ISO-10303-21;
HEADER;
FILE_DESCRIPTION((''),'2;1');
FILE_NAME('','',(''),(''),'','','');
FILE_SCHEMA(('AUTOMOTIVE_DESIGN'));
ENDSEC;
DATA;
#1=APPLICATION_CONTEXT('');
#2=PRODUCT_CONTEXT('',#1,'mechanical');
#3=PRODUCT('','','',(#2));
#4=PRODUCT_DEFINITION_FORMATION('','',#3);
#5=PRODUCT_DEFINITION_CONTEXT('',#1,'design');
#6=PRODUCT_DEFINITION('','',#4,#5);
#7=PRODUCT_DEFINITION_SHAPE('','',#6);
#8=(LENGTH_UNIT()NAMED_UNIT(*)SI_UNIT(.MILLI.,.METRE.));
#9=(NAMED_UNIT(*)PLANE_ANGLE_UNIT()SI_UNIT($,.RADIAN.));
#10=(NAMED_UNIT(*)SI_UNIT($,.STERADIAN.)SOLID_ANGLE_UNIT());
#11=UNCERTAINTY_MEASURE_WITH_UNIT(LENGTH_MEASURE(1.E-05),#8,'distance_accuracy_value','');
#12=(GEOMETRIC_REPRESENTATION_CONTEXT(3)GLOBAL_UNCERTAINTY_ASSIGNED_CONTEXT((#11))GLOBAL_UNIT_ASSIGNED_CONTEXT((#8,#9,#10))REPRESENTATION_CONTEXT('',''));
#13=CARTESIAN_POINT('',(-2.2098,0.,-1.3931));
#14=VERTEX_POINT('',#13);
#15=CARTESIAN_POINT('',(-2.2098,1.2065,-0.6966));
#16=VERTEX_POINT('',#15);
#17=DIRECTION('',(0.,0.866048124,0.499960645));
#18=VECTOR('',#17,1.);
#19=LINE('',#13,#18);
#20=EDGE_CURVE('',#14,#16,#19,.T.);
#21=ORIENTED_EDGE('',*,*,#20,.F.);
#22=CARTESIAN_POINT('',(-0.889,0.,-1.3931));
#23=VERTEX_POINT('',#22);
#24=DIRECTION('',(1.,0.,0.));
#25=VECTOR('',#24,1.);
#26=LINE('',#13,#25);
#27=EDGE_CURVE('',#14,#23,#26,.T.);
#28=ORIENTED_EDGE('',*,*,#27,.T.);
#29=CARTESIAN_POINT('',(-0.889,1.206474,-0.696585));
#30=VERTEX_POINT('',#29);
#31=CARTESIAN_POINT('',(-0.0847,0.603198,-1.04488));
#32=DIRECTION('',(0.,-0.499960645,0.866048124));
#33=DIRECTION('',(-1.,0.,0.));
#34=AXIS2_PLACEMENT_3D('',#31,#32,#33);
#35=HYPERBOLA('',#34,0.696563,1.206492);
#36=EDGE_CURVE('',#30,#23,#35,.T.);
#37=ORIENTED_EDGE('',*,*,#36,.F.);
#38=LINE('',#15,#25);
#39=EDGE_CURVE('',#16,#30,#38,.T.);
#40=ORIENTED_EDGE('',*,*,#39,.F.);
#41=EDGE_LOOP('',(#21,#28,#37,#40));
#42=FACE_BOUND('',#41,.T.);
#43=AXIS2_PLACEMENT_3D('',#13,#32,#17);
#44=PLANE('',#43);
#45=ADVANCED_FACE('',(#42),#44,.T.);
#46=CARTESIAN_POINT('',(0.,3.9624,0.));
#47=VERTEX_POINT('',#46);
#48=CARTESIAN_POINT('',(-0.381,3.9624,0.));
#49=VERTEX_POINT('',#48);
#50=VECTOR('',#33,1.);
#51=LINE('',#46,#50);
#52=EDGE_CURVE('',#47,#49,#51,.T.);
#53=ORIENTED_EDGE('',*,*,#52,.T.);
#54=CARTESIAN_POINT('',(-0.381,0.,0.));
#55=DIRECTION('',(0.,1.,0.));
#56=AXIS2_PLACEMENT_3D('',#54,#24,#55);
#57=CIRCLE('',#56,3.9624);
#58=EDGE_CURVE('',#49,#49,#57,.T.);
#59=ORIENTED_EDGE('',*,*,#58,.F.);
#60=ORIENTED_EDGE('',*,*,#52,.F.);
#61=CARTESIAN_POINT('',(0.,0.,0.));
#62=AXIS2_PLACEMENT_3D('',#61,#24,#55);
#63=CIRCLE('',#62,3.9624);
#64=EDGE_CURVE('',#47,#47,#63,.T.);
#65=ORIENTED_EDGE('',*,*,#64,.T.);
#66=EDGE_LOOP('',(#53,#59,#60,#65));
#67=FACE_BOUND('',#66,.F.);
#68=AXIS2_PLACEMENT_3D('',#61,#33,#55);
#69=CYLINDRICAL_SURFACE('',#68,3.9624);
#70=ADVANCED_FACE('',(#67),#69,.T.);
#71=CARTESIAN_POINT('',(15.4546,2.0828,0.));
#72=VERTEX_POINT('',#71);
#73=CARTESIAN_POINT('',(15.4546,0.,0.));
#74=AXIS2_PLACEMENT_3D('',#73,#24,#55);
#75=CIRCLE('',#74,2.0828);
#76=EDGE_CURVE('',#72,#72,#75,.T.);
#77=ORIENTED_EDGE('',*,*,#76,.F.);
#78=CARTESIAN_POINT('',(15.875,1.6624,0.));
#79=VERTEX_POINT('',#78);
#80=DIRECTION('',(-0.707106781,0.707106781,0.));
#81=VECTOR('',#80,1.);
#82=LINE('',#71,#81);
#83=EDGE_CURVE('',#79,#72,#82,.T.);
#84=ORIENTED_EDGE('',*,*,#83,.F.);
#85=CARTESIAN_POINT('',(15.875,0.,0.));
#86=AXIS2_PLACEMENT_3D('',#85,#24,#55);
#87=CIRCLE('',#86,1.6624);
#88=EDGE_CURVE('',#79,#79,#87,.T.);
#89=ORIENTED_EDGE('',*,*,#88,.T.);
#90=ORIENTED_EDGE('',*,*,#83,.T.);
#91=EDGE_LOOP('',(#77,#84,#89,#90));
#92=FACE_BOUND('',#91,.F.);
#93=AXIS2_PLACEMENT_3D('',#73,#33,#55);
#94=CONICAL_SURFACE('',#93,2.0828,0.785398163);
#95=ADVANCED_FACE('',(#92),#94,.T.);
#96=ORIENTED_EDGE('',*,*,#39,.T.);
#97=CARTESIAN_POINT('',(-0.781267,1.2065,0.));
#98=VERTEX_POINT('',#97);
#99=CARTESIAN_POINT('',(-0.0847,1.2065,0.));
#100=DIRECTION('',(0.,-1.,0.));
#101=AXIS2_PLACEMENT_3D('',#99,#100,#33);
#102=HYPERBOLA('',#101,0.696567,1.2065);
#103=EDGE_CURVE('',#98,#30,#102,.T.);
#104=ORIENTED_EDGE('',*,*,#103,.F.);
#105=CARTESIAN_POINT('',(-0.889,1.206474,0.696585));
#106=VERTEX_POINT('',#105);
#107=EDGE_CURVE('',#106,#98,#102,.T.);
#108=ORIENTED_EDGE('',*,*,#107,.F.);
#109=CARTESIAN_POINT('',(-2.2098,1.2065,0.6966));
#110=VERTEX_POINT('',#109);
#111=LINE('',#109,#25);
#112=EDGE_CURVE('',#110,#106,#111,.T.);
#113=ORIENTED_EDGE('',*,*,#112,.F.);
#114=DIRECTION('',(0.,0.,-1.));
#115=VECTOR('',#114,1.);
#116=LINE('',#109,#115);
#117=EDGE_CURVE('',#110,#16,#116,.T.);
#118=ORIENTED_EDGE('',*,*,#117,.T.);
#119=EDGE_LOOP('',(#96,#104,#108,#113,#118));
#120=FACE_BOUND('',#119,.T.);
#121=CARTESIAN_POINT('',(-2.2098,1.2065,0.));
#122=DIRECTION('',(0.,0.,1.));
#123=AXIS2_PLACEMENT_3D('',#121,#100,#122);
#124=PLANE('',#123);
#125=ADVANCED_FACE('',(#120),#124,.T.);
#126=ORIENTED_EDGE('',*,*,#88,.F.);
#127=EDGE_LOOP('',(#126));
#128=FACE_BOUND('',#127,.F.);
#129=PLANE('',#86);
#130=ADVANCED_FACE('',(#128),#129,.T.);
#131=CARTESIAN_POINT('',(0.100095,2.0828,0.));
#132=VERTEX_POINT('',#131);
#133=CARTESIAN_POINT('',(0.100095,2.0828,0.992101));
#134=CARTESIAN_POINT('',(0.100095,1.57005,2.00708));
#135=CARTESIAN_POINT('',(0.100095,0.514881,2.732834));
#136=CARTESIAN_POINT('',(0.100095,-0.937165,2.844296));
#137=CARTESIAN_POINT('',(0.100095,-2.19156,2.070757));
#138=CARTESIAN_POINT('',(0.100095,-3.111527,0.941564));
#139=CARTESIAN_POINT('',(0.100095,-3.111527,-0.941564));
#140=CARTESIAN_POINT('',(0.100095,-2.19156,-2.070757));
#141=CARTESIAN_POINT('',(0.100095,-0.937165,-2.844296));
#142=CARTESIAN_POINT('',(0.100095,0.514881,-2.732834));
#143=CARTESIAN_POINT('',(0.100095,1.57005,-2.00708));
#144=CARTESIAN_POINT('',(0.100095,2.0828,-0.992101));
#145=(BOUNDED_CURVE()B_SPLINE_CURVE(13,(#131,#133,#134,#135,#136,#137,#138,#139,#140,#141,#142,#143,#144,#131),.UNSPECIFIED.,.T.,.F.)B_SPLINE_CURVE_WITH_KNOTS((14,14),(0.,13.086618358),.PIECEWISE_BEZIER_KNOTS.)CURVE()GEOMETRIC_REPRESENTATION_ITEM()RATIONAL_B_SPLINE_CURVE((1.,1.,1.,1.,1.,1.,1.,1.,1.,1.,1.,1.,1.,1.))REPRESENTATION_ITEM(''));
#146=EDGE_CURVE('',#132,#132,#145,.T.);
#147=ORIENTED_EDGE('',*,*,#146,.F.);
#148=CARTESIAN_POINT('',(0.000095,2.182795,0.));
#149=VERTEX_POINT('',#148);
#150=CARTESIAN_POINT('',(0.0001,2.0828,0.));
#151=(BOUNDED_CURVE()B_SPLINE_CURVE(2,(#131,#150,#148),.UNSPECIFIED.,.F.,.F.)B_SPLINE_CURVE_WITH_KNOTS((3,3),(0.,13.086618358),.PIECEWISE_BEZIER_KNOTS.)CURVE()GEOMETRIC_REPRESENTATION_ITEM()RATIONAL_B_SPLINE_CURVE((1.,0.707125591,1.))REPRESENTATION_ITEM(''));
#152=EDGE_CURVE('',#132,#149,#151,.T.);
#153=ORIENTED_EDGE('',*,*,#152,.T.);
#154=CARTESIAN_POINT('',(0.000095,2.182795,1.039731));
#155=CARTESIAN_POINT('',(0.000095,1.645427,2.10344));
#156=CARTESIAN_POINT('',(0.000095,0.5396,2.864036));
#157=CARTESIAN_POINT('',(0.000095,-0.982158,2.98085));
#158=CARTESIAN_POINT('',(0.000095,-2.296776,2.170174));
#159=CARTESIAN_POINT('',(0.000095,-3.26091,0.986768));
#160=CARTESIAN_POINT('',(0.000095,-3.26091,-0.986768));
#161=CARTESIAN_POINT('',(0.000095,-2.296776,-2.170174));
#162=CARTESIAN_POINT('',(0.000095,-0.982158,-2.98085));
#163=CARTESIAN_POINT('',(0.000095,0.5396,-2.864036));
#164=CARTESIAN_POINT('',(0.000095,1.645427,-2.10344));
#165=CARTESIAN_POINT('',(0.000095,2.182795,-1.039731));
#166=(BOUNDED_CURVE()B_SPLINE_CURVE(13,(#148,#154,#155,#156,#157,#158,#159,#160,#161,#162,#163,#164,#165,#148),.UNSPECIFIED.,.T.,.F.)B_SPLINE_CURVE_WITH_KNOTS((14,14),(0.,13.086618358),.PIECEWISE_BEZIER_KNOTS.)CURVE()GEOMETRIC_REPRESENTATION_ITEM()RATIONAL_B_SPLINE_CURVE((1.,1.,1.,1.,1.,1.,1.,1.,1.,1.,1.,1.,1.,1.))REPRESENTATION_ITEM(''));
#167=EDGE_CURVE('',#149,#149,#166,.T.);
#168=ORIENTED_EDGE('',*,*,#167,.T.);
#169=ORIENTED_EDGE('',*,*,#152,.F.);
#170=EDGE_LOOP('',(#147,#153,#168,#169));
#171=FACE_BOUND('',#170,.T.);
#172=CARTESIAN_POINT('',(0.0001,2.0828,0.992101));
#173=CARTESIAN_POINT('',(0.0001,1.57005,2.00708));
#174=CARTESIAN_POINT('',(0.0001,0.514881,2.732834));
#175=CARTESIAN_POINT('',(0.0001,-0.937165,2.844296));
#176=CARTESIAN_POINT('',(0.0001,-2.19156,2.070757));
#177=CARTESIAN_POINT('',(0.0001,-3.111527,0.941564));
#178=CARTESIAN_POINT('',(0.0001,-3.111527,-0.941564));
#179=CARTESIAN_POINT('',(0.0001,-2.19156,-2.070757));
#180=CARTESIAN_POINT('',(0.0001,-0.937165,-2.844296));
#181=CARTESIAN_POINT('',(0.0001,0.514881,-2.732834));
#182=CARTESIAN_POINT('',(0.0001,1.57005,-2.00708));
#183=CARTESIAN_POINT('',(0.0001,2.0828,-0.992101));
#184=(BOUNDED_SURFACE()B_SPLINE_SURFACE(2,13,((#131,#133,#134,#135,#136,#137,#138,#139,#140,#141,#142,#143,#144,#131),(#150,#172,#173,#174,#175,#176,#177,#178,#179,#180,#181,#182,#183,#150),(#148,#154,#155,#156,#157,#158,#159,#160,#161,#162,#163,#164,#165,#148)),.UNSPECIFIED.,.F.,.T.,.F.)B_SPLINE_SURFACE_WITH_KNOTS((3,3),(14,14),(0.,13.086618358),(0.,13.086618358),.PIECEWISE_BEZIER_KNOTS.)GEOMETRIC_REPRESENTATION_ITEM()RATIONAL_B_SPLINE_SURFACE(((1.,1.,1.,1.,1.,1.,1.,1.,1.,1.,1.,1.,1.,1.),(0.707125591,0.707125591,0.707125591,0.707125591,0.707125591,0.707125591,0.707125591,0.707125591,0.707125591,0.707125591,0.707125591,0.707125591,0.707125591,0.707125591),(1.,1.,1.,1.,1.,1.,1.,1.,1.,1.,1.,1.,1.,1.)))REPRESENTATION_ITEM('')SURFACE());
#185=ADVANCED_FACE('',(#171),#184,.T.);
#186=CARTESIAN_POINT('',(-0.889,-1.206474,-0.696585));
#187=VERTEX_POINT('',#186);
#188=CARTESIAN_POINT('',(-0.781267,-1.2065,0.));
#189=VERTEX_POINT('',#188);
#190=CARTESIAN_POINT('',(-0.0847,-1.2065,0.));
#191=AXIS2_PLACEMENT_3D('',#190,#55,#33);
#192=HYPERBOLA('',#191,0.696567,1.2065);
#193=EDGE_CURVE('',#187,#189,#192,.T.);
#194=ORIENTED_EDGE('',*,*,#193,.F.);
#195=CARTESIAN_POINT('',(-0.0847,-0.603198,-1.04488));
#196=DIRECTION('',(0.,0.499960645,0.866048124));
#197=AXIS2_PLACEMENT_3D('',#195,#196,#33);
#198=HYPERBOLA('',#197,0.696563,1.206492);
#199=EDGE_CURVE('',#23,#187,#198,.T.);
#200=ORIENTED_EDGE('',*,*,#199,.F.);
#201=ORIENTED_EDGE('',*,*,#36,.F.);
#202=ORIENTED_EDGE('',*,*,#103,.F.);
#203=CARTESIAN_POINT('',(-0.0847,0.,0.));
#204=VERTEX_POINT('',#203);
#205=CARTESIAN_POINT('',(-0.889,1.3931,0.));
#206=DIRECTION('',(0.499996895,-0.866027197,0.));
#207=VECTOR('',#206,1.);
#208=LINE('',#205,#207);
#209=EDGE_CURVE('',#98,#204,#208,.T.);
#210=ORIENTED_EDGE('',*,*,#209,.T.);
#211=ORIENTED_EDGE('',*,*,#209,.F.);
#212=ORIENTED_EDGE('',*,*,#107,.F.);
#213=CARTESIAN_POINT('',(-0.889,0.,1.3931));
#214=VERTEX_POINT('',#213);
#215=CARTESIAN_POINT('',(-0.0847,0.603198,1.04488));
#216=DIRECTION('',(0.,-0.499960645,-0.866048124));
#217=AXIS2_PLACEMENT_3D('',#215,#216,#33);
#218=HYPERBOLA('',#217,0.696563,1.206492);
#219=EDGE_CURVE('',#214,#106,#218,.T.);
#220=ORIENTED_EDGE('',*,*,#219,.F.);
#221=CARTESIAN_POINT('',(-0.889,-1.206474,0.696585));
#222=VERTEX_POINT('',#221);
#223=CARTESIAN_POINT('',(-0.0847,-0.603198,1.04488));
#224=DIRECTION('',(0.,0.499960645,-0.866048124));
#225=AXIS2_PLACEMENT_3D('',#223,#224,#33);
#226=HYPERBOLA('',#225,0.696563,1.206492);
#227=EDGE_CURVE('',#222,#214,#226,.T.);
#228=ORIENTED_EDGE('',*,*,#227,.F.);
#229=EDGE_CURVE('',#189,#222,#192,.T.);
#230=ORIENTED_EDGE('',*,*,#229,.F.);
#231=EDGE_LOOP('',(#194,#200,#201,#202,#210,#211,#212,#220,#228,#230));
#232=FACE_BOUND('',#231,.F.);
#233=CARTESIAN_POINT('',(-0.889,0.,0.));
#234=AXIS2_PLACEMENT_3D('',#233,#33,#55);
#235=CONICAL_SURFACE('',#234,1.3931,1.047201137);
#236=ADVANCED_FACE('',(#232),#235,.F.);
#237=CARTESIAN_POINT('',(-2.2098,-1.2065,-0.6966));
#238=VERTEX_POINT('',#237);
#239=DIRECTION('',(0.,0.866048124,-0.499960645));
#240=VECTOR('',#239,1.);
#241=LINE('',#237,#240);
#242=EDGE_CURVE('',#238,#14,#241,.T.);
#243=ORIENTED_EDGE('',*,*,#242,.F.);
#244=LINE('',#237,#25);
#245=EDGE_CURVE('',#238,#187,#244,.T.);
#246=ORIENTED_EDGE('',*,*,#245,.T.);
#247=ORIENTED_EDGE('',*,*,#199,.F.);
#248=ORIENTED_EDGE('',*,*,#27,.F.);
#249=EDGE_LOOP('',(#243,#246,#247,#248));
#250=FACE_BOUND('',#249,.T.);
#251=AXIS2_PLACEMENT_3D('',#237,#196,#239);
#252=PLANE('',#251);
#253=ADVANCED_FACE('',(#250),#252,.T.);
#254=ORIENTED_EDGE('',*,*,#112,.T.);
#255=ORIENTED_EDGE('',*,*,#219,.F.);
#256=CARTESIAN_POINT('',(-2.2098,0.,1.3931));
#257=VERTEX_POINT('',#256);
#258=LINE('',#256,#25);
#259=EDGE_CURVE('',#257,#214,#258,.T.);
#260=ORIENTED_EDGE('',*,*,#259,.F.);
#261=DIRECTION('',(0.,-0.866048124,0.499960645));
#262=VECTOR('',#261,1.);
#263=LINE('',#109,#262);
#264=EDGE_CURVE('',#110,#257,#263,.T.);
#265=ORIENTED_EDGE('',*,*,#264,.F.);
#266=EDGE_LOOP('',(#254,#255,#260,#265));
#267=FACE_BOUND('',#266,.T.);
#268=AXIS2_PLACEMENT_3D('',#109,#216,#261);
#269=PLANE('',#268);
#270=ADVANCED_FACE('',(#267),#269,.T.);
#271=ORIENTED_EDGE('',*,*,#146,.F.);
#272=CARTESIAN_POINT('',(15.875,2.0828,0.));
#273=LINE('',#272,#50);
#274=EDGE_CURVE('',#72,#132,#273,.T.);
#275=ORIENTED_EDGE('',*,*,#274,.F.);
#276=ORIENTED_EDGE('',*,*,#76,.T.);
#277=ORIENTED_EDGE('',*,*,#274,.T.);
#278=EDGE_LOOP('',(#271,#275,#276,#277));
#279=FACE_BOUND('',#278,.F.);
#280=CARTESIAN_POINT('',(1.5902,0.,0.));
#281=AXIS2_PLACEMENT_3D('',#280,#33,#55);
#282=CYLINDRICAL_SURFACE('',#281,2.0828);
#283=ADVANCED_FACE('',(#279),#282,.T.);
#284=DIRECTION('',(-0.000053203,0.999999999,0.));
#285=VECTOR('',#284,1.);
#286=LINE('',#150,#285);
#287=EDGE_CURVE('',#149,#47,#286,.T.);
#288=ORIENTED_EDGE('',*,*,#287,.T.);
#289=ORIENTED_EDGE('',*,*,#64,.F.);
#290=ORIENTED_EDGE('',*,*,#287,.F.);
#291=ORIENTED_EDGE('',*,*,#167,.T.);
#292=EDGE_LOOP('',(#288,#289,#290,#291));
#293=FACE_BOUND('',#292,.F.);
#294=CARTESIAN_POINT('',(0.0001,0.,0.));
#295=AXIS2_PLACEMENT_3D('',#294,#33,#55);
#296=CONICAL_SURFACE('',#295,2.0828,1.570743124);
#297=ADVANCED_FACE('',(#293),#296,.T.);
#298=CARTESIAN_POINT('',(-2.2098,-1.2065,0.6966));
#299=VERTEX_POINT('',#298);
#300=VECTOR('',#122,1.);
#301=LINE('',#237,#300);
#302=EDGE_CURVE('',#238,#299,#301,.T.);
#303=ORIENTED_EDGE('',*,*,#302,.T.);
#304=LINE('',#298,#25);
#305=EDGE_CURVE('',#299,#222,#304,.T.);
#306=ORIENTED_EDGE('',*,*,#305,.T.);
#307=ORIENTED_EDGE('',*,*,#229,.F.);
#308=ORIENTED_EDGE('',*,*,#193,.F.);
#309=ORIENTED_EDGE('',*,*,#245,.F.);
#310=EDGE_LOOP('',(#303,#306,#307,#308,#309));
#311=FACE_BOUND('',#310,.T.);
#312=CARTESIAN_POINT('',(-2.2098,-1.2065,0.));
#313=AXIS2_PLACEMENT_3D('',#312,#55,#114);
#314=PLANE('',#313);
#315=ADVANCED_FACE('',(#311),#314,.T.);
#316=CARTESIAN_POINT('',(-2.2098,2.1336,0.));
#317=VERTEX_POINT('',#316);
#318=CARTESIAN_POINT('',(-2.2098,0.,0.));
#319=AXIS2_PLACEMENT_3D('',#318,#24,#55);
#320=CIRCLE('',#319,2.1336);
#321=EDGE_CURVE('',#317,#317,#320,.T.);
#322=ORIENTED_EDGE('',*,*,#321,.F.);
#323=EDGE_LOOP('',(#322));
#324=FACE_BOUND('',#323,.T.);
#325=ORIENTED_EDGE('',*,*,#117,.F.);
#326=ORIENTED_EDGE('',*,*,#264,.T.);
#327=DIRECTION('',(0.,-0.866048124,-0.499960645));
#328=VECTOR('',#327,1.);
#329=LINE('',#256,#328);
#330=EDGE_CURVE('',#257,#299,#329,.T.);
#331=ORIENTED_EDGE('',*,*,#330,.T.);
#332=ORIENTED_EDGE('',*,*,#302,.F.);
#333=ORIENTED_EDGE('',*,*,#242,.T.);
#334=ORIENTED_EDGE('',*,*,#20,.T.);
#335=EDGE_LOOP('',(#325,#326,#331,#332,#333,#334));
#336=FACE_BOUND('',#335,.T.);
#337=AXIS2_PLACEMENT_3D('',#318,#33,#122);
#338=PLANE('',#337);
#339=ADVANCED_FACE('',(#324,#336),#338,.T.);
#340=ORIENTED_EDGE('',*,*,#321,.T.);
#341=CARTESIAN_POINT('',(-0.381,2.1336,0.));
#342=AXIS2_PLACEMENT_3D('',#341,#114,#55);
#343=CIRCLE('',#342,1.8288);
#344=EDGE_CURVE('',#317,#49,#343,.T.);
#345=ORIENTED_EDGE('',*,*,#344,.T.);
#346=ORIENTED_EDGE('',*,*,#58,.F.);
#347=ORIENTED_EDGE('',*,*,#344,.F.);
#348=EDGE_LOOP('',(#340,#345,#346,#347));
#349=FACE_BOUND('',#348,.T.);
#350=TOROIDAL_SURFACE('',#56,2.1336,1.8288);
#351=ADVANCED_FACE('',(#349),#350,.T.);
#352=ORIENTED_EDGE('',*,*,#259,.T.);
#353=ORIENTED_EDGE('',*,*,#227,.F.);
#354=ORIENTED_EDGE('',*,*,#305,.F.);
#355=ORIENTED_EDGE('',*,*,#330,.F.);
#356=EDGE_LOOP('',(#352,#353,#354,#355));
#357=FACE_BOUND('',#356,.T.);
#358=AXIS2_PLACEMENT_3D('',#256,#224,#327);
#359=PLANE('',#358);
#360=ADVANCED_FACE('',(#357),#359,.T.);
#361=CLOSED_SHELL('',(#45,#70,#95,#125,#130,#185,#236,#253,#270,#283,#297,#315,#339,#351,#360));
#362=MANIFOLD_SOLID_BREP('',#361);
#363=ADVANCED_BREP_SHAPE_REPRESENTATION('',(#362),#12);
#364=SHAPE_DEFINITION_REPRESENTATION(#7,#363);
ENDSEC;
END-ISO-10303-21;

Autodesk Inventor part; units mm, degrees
ref_plane "YZ Plane" through (0, 0, 0) normal (1, 0, 0) x (0, 1, 0)
ref_plane "XZ Plane" through (0, 0, 0) normal (0, 1, 0) x (-1, 0, 0)
sketch "Sketch1" plane through (0, 0, 0) normal (0, 0, 1) x (1, 0, 0)
  line L0 (-0.0847, 0) -> (15.875, 0)
  line L1 (15.875, 0) -> (15.875, 2.0828)
  line L2 (15.875, 2.0828) -> (1.5902, 2.0828)
  line L3 (1.5902, 2.0828) -> (0.0001, 2.0828)
  line L4 (0.0001, 2.0828) -> (0, 2.0828)
  line L5 (0, 2.0828) -> (0, 3.9624)
  line L6 (0, 3.9624) -> (-2.2098, 3.9624)
  line L7 (-2.2098, 3.9624) -> (-2.2098, 1.3931)
  line L8 (-2.2098, 1.3931) -> (-0.889, 1.3931)
  line L9 (-0.889, 1.3931) -> (-0.0847, 0)
  line L10 (-21, 0) -> (56, 0) projected
  line L11 (0, -1.6) -> (0, 9.6) projected
  line L12 (1.5902, 2.0828) -> (0, 2.0828) construction
  dimension "d1" = 14.2848
  dimension "d2" = 1.5901
  dimension "d3" = 2.2098
  dimension "d4" = 1.3208
  dimension "d5" = 60
  dimension "d6" = 4.1656
  dimension "d7" = 4.1656
  dimension "d8" = 2.7863
  dimension "d9" = 7.9248
  dimension "d26" = 15.875
revolve "Body" add sketch "Sketch1" angle 360 about axis through (-0.0847, 0, 0) along (1, 0, 0)
sketch "Sketch2" plane through (-2.2098, 0, 0) normal (-1, 0, 0) x (0, 0, 1)
  circle A0 centre (0, 0) radius 1.3931 projected
  line L0 (0, -6.4663) -> (0, 6.4663) projected
  line L1 (-6.4663, 0) -> (6.4663, 0) projected
  line L2 (1.3931, 0) -> (0.6966, -1.2065)
  line L3 (0.6966, -1.2065) -> (-0.6966, -1.2065)
  line L4 (-0.6966, -1.2065) -> (-1.3931, 0)
  line L5 (-1.3931, 0) -> (-0.6966, 1.2065)
  line L6 (-0.6966, 1.2065) -> (0.6966, 1.2065)
  line L7 (0.6966, 1.2065) -> (1.3931, 0)
extrude "Slot" add sketch "Sketch2" against normal up to next contours L7 A0 | A0 L2 | L6 L0 A0 | A0 L0 L3 | L0 L6 A0 | A0 L3 L0 | L4 A0 | A0 L5
fillet "Fillet1" radius 1.8288 1 edges at (-2.2098, -3.9624, 0)
thread "Thread" size "M10x1.5" class "6g" standard "ANSI Metric M Profile" length 14.2848
chamfer "Chamfer1" distance 0.4204 distance2 0.4204 1 edges at (15.875, -2.0828, 0) measured on face at (15.875, -0.1898, 0.4203)
ref_plane "Work Plane1" through (29, 0, 0) normal (0, -1, 0) x (1, 0, 0)
fillet "Fillet2" radius 0.1 1 edges at (0.0001, -2.0828, 0)
equation "\"d1\" = GEL"
equation "\"d3\" = KOH"
equation "\"d4\" = INTI"
equation "\"d6\" = GD"
equation "\"d7\" = BDM"
equation "\"d8\" = 1.1547 * SW"
equation "\"d9\" = KOD"
equation "\"d26\" = NLG"
equation "\"d30\" = R"
equation "\"d17\" = RR"
equation "\"d13\" = GEL"
equation "\"d15\" = -0.5 * SPD + 0.5 * GD"
equation "\"d16\" = GUL"
equation "\"GD\" = NND"
equation "\"NLG\" = 15.875"
equation "\"GEL\" = 14.28476"
equation "\"KOD\" = 7.9248"
equation "\"KOH\" = 2.2098"
equation "\"INTI\" = 1.3208"
equation "\"GAL\" = 1.59004"
equation "\"GUL\" = 0.42037"
equation "\"BDM\" = NND"
equation "\"SW\" = 2.413"
equation "\"RR\" = 1.8288"
equation "\"SPD\" = 3.32486"
equation "\"R\" = 0.1"
equation "\"TOA\" = 30deg"
equation "\"GD1\" = SPD"
equation "\"THREADDIA\" = 4.1656"
equation "\"KOH1\" = 0.381"
equation "\"NND\" = 4.1656"
equation "\"E0\" = 2.78714"
properties part number "ANSI B18.3 - No. 8-36 - 5/8" material "Steel, Mild"
